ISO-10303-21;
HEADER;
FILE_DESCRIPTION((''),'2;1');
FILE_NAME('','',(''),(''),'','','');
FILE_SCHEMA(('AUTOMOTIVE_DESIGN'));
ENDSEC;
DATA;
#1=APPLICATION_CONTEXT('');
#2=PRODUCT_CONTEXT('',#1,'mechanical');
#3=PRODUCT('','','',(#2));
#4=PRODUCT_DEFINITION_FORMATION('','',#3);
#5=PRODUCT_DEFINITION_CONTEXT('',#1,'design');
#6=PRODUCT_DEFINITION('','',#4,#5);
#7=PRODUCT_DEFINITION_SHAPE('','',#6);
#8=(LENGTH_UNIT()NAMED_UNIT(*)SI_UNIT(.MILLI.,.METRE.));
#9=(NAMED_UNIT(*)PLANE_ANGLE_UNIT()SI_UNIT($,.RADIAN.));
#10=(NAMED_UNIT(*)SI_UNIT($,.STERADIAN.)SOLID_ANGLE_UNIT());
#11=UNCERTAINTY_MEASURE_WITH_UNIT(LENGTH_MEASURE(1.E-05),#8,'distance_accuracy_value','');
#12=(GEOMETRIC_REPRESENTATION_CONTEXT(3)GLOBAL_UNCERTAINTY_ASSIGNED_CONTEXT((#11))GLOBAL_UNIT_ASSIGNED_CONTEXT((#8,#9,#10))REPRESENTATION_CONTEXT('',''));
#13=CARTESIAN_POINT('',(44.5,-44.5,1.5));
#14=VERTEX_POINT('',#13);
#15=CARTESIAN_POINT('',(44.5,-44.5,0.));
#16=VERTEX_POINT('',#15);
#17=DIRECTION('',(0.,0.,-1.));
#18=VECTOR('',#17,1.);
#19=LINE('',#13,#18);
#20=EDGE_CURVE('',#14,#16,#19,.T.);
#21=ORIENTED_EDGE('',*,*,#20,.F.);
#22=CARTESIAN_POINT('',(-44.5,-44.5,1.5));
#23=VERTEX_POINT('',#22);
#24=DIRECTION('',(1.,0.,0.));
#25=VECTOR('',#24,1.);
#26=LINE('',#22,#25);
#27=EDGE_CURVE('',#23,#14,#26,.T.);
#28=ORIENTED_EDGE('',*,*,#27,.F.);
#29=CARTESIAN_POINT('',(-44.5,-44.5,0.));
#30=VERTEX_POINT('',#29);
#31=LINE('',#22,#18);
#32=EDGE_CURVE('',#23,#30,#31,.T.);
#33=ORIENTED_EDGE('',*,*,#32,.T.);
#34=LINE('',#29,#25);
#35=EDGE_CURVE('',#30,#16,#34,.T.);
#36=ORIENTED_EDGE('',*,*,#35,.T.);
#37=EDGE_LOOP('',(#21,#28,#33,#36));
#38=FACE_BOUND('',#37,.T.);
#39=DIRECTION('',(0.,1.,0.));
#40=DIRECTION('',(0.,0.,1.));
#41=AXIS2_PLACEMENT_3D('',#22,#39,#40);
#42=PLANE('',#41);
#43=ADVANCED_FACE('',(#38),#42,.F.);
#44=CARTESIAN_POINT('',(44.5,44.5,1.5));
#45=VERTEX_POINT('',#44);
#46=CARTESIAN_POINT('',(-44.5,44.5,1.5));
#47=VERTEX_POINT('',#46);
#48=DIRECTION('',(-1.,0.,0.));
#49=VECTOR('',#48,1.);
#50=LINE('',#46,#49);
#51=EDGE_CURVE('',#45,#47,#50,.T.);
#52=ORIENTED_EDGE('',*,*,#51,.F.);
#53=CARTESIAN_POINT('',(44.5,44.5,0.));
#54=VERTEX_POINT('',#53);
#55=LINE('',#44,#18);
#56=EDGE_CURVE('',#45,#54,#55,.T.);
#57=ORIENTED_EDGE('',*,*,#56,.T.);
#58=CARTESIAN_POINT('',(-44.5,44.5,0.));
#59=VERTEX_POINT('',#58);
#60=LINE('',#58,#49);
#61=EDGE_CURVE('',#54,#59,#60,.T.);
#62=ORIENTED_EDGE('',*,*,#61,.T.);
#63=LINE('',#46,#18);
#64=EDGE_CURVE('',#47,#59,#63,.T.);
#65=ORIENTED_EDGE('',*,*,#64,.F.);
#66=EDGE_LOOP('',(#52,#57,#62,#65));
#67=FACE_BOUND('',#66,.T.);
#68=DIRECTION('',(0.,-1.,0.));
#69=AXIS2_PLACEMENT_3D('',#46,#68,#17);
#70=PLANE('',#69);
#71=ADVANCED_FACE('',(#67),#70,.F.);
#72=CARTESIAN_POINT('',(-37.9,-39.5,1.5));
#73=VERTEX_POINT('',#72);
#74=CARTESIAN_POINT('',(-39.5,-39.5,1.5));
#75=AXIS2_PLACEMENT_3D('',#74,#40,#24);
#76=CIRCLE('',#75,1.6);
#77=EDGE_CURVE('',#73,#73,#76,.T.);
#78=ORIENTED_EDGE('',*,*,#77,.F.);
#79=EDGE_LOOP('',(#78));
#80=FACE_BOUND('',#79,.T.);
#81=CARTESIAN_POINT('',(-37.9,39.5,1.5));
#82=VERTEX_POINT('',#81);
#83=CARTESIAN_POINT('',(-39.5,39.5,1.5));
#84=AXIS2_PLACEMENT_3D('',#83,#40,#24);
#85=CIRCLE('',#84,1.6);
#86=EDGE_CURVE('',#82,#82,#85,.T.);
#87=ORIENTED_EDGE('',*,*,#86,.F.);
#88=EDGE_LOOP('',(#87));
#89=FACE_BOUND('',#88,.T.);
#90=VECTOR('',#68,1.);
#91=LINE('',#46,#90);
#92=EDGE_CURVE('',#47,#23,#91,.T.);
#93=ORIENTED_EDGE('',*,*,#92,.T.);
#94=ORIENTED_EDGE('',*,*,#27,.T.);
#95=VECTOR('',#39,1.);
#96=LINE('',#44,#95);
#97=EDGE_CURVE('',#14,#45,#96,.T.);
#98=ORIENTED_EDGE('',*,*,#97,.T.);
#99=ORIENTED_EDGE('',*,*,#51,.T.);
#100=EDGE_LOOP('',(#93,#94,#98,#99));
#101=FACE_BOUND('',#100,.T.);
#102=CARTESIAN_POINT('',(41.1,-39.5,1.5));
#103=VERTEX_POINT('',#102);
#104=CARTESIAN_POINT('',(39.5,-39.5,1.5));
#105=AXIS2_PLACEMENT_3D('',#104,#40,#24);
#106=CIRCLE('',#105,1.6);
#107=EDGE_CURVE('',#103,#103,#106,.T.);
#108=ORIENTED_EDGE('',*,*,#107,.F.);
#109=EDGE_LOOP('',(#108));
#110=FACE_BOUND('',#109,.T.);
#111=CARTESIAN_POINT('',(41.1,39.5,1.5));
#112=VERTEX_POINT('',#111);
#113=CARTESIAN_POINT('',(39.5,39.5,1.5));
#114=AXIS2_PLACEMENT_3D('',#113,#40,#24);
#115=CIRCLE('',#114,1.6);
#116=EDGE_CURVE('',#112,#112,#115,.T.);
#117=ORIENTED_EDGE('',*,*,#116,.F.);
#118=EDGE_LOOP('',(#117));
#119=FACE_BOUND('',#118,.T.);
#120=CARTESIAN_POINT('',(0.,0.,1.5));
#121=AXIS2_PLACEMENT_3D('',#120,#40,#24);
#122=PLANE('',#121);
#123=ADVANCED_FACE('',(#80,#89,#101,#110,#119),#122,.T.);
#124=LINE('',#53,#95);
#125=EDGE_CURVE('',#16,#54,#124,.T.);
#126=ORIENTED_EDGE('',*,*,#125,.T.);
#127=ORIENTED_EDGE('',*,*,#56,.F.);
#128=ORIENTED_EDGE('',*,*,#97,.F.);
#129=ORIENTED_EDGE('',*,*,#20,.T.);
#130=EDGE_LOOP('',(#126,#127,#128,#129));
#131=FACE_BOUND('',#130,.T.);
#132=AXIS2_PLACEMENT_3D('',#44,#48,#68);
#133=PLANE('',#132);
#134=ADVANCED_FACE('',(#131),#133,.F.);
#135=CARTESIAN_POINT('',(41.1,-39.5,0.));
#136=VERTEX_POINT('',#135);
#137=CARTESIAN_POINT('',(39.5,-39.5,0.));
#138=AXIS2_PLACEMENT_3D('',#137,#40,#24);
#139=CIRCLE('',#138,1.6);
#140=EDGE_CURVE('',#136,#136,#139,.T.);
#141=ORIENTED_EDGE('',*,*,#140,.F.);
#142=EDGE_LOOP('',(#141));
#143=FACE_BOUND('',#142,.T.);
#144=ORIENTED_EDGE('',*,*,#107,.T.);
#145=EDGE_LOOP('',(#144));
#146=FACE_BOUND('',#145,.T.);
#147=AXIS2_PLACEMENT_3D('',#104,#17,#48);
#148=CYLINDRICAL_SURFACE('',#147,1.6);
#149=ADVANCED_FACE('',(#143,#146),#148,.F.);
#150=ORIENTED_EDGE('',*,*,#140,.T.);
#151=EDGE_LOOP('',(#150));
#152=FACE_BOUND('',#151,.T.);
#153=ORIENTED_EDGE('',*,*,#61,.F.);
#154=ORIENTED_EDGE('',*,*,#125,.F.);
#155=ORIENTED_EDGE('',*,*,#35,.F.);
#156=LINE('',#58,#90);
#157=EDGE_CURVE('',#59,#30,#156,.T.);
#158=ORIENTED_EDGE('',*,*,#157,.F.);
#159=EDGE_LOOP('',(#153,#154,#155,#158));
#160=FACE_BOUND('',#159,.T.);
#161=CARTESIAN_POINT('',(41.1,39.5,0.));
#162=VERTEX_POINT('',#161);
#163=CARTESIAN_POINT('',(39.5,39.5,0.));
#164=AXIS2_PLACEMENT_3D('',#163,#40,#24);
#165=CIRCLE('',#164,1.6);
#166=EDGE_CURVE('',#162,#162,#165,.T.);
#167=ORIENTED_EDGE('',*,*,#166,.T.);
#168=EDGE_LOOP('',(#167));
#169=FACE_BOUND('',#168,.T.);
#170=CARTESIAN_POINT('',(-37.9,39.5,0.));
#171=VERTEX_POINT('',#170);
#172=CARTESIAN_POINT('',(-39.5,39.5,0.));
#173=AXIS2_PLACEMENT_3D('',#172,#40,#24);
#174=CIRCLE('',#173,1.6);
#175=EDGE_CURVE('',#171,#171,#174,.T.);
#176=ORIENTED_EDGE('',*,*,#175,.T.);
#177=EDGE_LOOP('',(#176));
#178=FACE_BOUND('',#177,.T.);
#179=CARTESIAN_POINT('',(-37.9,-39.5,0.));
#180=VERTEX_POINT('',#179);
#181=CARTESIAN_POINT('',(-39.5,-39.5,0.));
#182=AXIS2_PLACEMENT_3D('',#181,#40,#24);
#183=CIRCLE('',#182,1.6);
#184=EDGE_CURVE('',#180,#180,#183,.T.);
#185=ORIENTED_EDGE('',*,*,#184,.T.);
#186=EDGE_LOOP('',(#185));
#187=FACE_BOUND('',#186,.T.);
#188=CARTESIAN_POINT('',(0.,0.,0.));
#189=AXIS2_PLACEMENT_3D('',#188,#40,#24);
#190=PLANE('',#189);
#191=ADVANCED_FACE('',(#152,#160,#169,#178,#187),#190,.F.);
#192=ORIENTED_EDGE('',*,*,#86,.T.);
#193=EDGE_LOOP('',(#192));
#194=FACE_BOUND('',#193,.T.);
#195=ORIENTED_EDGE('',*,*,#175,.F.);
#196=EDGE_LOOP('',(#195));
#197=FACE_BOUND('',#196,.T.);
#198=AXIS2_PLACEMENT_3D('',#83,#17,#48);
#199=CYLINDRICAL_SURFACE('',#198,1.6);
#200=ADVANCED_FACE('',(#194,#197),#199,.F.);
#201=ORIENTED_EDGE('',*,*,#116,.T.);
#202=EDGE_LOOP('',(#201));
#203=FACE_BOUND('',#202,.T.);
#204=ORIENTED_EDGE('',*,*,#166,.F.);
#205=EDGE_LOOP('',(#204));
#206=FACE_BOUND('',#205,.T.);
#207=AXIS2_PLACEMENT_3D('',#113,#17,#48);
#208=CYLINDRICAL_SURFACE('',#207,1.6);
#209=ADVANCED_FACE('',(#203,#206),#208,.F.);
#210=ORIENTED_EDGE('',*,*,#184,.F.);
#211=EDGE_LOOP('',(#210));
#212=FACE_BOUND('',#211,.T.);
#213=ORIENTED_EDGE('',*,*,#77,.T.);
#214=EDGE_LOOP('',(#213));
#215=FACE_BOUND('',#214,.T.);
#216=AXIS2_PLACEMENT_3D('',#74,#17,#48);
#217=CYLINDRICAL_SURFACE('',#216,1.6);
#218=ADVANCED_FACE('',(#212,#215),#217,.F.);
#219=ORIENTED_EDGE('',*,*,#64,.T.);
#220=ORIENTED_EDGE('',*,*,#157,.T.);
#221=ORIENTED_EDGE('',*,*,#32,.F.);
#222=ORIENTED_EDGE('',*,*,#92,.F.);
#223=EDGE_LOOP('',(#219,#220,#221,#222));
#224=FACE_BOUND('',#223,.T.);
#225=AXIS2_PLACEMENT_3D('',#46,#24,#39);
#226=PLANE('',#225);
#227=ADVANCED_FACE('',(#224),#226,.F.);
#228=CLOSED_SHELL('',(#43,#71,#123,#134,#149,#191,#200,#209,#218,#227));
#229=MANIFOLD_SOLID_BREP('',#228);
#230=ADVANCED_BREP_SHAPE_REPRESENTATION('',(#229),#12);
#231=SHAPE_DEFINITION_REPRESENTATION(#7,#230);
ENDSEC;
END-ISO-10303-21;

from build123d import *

# Parameters (mm, degrees)
ESQUISSE1_W = 89
ESQUISSE1_H = 89
ESQUISSE1_R = 1.6
MAIN_DEPTH  = 1.5


with BuildPart() as part:
    # Esquisse1 → Main (new body)
    with BuildSketch(Plane.XY):
        Rectangle(ESQUISSE1_W, ESQUISSE1_H)
        with Locations((-39.5, 39.5)):
            Circle(ESQUISSE1_R, mode=Mode.SUBTRACT)
        with Locations((-39.5, -39.5)):
            Circle(ESQUISSE1_R, mode=Mode.SUBTRACT)
        with Locations((39.5, -39.5)):
            Circle(ESQUISSE1_R, mode=Mode.SUBTRACT)
        with Locations((39.5, 39.5)):
            Circle(ESQUISSE1_R, mode=Mode.SUBTRACT)
    extrude(amount=MAIN_DEPTH)


solid = part.part
